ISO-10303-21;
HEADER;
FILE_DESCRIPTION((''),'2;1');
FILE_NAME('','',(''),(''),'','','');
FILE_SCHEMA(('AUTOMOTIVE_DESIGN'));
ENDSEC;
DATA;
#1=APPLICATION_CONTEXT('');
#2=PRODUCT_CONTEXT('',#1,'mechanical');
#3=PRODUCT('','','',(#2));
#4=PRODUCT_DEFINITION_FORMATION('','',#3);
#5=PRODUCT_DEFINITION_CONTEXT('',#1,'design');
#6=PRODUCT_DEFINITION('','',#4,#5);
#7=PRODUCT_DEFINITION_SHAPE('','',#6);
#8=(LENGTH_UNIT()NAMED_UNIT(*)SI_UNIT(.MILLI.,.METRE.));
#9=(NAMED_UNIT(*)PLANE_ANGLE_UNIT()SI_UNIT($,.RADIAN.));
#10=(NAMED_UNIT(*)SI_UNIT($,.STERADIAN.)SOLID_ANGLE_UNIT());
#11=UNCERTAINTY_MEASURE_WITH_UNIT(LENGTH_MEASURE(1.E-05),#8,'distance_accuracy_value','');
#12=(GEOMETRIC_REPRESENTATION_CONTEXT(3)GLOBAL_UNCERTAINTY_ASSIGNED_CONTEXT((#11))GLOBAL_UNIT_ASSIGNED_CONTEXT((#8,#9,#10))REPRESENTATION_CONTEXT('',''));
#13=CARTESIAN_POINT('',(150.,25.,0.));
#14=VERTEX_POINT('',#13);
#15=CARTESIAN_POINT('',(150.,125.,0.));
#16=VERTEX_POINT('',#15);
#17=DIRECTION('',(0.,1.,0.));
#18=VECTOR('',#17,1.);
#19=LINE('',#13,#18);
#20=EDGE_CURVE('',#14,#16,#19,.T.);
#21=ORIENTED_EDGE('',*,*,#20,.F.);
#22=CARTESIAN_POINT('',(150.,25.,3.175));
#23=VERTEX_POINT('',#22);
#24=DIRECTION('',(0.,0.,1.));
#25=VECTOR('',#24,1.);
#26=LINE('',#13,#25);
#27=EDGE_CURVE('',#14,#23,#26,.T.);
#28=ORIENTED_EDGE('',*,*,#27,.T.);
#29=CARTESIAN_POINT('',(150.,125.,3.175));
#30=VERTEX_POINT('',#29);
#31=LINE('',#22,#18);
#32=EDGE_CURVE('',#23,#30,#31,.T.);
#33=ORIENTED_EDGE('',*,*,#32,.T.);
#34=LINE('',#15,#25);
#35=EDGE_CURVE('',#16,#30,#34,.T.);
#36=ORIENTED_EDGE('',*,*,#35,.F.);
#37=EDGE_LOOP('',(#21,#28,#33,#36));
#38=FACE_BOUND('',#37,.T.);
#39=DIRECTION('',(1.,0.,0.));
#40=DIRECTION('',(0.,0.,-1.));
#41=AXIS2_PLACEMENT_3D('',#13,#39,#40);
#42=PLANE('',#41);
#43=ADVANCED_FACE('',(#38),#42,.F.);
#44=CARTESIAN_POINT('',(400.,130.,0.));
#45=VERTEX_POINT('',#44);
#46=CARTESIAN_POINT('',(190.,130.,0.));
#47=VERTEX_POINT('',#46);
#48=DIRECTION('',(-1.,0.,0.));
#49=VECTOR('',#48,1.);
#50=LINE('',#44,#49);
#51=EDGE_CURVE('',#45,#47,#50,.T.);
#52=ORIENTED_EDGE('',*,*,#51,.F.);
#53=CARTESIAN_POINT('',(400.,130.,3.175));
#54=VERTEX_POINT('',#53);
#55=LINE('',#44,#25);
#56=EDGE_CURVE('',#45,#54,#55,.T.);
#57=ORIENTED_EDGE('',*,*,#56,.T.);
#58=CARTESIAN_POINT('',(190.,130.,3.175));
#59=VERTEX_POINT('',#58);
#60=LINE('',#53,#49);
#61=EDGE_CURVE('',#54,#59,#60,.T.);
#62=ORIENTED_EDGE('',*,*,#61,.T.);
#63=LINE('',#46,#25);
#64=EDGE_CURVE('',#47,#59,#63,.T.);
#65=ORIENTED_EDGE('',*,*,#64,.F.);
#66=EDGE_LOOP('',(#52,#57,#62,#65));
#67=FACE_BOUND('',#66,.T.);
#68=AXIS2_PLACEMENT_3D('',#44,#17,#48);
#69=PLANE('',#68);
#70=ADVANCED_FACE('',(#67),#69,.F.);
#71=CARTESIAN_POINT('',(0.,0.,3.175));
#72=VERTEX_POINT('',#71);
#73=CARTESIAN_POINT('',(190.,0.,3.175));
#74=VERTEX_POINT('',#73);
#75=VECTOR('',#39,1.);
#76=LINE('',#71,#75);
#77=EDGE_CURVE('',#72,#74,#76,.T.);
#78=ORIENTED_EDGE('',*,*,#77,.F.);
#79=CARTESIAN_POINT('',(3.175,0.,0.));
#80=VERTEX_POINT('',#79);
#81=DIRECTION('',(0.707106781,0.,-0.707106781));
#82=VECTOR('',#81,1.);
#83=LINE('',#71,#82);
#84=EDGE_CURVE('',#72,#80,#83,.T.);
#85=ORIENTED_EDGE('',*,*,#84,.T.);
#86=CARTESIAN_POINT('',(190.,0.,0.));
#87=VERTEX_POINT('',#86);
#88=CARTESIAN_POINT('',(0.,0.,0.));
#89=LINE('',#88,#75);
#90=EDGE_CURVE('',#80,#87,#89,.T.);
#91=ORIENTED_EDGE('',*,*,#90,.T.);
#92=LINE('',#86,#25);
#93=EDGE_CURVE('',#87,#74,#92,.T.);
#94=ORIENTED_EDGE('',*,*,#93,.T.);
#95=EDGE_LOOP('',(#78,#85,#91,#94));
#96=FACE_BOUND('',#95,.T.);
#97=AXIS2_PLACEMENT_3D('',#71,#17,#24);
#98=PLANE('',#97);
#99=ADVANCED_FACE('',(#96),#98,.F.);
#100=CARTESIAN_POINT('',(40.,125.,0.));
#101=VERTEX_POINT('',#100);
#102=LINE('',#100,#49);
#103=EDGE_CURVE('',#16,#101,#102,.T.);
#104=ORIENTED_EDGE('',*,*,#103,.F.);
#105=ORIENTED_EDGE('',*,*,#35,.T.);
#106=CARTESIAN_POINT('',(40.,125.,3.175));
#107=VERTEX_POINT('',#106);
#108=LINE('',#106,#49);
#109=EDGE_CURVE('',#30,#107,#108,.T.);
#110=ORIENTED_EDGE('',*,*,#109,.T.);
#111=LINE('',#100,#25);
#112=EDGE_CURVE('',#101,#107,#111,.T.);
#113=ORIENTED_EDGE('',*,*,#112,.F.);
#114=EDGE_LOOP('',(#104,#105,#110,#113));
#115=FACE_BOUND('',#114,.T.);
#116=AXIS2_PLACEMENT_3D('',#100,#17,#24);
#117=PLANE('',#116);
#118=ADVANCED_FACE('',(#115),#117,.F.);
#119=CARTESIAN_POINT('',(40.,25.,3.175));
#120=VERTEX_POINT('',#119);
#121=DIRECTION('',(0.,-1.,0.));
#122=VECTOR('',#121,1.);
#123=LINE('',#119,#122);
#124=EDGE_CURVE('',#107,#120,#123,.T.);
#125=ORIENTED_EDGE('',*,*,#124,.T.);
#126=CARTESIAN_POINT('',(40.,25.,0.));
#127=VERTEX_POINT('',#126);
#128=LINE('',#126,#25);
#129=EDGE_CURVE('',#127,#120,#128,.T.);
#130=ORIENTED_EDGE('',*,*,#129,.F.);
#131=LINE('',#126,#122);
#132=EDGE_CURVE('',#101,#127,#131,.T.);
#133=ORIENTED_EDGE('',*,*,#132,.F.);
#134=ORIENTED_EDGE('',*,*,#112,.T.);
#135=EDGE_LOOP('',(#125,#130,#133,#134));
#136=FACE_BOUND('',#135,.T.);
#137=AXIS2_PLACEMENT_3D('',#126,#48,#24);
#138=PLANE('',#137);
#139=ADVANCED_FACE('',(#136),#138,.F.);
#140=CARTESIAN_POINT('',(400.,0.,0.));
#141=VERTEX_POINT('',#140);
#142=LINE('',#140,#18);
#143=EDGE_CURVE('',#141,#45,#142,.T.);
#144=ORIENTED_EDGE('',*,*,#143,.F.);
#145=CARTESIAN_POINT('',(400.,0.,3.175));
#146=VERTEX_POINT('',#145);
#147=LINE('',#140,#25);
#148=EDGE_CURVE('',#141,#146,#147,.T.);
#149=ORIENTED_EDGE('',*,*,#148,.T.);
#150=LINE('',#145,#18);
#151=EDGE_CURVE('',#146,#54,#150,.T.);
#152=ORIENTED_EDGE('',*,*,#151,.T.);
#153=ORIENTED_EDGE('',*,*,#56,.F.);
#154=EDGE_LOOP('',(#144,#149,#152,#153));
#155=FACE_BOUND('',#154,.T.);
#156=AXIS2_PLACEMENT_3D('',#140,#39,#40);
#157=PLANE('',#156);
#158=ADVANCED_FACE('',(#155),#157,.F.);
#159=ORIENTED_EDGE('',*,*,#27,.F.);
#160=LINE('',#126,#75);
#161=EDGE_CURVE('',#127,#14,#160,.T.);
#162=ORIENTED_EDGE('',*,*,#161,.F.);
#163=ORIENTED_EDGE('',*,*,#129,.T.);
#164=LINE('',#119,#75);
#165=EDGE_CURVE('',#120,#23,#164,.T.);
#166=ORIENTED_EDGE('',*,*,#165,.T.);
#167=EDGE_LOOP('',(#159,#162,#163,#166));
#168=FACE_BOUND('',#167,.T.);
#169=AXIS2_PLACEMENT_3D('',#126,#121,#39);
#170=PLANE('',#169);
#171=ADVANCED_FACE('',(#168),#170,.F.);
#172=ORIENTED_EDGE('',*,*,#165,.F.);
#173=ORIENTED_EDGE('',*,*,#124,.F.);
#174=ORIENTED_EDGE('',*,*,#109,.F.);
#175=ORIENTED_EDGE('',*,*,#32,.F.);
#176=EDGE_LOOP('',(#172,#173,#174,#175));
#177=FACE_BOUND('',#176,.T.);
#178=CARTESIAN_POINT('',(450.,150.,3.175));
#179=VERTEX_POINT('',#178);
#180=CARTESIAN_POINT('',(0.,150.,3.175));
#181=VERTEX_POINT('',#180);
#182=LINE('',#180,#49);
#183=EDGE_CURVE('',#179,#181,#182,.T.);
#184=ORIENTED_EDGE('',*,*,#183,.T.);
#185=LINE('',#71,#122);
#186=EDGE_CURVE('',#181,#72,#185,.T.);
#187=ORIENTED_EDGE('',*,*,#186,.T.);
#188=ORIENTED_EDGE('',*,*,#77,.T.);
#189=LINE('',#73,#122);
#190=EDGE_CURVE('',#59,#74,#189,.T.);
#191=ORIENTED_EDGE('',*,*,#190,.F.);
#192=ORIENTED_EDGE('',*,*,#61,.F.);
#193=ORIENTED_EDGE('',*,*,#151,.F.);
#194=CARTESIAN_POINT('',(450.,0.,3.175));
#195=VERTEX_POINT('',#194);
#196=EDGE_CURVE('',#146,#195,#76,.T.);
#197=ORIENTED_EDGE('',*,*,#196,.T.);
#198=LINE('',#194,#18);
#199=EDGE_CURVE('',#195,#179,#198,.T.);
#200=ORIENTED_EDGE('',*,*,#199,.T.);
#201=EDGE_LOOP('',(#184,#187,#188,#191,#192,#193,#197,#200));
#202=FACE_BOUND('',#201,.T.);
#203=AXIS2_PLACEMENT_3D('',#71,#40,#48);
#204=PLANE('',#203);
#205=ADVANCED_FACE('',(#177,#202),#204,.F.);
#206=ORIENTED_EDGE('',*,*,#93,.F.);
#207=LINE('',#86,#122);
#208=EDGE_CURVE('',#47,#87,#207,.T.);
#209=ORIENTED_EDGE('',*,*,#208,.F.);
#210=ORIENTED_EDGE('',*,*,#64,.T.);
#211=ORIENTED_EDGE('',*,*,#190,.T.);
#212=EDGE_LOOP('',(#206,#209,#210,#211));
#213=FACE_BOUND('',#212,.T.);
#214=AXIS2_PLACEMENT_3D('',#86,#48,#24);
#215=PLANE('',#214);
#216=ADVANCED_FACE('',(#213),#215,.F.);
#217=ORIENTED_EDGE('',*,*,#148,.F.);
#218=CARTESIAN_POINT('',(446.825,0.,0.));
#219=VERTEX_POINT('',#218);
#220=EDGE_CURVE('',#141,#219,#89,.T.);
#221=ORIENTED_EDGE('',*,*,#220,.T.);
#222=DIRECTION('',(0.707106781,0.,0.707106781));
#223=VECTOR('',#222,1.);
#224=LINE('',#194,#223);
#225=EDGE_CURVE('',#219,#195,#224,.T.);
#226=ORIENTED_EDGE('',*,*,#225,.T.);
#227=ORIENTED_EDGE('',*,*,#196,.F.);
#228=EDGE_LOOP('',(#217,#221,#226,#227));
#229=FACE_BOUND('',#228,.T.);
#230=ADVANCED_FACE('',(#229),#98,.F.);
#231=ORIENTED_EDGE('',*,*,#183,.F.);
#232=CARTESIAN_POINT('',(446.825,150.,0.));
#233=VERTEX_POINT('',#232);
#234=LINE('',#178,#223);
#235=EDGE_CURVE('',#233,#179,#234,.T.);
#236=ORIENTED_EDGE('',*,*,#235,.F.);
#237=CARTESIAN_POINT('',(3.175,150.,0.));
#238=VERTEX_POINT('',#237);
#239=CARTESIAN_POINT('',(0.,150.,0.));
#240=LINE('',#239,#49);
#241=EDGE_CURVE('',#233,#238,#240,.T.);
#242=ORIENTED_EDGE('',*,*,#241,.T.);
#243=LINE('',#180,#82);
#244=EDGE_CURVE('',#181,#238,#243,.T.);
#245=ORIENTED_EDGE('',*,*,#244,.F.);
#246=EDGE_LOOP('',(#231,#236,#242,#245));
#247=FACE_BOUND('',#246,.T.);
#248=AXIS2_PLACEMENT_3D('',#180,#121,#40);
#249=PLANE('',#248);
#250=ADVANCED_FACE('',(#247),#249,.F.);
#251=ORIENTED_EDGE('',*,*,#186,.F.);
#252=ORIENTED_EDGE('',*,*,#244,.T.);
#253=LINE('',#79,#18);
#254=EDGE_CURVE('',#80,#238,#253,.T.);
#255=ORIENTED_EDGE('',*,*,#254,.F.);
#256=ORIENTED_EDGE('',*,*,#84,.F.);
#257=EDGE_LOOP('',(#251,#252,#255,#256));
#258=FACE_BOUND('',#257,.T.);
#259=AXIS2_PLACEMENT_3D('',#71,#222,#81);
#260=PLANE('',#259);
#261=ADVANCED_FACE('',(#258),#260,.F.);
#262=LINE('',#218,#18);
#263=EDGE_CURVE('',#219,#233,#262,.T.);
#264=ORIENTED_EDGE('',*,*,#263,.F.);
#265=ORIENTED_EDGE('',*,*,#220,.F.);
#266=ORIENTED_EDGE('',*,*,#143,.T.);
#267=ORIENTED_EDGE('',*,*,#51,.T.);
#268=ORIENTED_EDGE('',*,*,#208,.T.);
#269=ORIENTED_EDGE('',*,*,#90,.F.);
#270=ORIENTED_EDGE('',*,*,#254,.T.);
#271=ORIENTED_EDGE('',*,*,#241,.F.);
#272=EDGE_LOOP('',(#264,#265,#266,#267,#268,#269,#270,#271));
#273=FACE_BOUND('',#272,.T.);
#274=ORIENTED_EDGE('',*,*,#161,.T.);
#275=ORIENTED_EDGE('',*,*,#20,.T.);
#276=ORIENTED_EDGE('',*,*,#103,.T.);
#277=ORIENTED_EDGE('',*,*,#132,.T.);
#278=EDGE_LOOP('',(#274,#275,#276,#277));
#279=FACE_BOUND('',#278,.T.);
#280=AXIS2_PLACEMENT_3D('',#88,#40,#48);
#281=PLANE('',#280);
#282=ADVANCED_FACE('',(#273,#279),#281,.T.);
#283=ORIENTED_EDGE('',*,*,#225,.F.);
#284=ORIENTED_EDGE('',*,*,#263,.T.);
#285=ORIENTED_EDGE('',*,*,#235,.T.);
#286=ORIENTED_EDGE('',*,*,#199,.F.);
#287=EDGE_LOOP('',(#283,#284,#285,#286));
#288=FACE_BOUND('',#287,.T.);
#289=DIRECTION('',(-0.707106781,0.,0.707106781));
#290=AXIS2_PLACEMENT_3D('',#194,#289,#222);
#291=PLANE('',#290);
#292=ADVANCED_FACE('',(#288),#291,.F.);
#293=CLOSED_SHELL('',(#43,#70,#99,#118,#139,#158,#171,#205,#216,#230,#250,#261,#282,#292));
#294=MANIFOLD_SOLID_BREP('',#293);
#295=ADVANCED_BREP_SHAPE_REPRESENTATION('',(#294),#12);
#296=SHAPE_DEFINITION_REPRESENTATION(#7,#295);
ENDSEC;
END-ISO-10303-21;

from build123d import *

# Parameters (mm, degrees)
SKETCH1_W           = 450
SKETCH1_H           = 150
BOSS_EXTRUDE1_DEPTH = 3.175
CUT_EXTRUDE1_DEPTH  = 475.352274818
SKETCH3_W           = 210
SKETCH3_H           = 130
SKETCH3_W_2         = 110
SKETCH3_H_2         = 100
CUT_EXTRUDE2_DEPTH  = 475.352274818


with BuildPart() as part:
    # Sketch1 → Boss-Extrude1 (new body)
    with BuildSketch(Plane.XY):
        with Locations((225, 75)):
            Rectangle(SKETCH1_W, SKETCH1_H)
    extrude(amount=BOSS_EXTRUDE1_DEPTH)

    # Sketch2 → Cut-Extrude1 (cut, through all)
    with BuildSketch(Plane(origin=(0, 150, 0), x_dir=(1, 0, 0), z_dir=(0, 1, 0))):
        Polygon((0, -3.175), (3.175, 0), (0, 0), align=None)
        Polygon((450, -3.175), (446.825, 0), (450, 0), align=None)
    extrude(amount=-CUT_EXTRUDE1_DEPTH, mode=Mode.SUBTRACT)

    # Sketch3 → Cut-Extrude2 (cut, through all)
    with BuildSketch(Plane.XY.offset(3.175)):
        with Locations((295, 65)):
            Rectangle(SKETCH3_W, SKETCH3_H)
        with Locations((95, 75)):
            Rectangle(SKETCH3_W_2, SKETCH3_H_2)
    extrude(amount=-CUT_EXTRUDE2_DEPTH, mode=Mode.SUBTRACT)


solid = part.part
